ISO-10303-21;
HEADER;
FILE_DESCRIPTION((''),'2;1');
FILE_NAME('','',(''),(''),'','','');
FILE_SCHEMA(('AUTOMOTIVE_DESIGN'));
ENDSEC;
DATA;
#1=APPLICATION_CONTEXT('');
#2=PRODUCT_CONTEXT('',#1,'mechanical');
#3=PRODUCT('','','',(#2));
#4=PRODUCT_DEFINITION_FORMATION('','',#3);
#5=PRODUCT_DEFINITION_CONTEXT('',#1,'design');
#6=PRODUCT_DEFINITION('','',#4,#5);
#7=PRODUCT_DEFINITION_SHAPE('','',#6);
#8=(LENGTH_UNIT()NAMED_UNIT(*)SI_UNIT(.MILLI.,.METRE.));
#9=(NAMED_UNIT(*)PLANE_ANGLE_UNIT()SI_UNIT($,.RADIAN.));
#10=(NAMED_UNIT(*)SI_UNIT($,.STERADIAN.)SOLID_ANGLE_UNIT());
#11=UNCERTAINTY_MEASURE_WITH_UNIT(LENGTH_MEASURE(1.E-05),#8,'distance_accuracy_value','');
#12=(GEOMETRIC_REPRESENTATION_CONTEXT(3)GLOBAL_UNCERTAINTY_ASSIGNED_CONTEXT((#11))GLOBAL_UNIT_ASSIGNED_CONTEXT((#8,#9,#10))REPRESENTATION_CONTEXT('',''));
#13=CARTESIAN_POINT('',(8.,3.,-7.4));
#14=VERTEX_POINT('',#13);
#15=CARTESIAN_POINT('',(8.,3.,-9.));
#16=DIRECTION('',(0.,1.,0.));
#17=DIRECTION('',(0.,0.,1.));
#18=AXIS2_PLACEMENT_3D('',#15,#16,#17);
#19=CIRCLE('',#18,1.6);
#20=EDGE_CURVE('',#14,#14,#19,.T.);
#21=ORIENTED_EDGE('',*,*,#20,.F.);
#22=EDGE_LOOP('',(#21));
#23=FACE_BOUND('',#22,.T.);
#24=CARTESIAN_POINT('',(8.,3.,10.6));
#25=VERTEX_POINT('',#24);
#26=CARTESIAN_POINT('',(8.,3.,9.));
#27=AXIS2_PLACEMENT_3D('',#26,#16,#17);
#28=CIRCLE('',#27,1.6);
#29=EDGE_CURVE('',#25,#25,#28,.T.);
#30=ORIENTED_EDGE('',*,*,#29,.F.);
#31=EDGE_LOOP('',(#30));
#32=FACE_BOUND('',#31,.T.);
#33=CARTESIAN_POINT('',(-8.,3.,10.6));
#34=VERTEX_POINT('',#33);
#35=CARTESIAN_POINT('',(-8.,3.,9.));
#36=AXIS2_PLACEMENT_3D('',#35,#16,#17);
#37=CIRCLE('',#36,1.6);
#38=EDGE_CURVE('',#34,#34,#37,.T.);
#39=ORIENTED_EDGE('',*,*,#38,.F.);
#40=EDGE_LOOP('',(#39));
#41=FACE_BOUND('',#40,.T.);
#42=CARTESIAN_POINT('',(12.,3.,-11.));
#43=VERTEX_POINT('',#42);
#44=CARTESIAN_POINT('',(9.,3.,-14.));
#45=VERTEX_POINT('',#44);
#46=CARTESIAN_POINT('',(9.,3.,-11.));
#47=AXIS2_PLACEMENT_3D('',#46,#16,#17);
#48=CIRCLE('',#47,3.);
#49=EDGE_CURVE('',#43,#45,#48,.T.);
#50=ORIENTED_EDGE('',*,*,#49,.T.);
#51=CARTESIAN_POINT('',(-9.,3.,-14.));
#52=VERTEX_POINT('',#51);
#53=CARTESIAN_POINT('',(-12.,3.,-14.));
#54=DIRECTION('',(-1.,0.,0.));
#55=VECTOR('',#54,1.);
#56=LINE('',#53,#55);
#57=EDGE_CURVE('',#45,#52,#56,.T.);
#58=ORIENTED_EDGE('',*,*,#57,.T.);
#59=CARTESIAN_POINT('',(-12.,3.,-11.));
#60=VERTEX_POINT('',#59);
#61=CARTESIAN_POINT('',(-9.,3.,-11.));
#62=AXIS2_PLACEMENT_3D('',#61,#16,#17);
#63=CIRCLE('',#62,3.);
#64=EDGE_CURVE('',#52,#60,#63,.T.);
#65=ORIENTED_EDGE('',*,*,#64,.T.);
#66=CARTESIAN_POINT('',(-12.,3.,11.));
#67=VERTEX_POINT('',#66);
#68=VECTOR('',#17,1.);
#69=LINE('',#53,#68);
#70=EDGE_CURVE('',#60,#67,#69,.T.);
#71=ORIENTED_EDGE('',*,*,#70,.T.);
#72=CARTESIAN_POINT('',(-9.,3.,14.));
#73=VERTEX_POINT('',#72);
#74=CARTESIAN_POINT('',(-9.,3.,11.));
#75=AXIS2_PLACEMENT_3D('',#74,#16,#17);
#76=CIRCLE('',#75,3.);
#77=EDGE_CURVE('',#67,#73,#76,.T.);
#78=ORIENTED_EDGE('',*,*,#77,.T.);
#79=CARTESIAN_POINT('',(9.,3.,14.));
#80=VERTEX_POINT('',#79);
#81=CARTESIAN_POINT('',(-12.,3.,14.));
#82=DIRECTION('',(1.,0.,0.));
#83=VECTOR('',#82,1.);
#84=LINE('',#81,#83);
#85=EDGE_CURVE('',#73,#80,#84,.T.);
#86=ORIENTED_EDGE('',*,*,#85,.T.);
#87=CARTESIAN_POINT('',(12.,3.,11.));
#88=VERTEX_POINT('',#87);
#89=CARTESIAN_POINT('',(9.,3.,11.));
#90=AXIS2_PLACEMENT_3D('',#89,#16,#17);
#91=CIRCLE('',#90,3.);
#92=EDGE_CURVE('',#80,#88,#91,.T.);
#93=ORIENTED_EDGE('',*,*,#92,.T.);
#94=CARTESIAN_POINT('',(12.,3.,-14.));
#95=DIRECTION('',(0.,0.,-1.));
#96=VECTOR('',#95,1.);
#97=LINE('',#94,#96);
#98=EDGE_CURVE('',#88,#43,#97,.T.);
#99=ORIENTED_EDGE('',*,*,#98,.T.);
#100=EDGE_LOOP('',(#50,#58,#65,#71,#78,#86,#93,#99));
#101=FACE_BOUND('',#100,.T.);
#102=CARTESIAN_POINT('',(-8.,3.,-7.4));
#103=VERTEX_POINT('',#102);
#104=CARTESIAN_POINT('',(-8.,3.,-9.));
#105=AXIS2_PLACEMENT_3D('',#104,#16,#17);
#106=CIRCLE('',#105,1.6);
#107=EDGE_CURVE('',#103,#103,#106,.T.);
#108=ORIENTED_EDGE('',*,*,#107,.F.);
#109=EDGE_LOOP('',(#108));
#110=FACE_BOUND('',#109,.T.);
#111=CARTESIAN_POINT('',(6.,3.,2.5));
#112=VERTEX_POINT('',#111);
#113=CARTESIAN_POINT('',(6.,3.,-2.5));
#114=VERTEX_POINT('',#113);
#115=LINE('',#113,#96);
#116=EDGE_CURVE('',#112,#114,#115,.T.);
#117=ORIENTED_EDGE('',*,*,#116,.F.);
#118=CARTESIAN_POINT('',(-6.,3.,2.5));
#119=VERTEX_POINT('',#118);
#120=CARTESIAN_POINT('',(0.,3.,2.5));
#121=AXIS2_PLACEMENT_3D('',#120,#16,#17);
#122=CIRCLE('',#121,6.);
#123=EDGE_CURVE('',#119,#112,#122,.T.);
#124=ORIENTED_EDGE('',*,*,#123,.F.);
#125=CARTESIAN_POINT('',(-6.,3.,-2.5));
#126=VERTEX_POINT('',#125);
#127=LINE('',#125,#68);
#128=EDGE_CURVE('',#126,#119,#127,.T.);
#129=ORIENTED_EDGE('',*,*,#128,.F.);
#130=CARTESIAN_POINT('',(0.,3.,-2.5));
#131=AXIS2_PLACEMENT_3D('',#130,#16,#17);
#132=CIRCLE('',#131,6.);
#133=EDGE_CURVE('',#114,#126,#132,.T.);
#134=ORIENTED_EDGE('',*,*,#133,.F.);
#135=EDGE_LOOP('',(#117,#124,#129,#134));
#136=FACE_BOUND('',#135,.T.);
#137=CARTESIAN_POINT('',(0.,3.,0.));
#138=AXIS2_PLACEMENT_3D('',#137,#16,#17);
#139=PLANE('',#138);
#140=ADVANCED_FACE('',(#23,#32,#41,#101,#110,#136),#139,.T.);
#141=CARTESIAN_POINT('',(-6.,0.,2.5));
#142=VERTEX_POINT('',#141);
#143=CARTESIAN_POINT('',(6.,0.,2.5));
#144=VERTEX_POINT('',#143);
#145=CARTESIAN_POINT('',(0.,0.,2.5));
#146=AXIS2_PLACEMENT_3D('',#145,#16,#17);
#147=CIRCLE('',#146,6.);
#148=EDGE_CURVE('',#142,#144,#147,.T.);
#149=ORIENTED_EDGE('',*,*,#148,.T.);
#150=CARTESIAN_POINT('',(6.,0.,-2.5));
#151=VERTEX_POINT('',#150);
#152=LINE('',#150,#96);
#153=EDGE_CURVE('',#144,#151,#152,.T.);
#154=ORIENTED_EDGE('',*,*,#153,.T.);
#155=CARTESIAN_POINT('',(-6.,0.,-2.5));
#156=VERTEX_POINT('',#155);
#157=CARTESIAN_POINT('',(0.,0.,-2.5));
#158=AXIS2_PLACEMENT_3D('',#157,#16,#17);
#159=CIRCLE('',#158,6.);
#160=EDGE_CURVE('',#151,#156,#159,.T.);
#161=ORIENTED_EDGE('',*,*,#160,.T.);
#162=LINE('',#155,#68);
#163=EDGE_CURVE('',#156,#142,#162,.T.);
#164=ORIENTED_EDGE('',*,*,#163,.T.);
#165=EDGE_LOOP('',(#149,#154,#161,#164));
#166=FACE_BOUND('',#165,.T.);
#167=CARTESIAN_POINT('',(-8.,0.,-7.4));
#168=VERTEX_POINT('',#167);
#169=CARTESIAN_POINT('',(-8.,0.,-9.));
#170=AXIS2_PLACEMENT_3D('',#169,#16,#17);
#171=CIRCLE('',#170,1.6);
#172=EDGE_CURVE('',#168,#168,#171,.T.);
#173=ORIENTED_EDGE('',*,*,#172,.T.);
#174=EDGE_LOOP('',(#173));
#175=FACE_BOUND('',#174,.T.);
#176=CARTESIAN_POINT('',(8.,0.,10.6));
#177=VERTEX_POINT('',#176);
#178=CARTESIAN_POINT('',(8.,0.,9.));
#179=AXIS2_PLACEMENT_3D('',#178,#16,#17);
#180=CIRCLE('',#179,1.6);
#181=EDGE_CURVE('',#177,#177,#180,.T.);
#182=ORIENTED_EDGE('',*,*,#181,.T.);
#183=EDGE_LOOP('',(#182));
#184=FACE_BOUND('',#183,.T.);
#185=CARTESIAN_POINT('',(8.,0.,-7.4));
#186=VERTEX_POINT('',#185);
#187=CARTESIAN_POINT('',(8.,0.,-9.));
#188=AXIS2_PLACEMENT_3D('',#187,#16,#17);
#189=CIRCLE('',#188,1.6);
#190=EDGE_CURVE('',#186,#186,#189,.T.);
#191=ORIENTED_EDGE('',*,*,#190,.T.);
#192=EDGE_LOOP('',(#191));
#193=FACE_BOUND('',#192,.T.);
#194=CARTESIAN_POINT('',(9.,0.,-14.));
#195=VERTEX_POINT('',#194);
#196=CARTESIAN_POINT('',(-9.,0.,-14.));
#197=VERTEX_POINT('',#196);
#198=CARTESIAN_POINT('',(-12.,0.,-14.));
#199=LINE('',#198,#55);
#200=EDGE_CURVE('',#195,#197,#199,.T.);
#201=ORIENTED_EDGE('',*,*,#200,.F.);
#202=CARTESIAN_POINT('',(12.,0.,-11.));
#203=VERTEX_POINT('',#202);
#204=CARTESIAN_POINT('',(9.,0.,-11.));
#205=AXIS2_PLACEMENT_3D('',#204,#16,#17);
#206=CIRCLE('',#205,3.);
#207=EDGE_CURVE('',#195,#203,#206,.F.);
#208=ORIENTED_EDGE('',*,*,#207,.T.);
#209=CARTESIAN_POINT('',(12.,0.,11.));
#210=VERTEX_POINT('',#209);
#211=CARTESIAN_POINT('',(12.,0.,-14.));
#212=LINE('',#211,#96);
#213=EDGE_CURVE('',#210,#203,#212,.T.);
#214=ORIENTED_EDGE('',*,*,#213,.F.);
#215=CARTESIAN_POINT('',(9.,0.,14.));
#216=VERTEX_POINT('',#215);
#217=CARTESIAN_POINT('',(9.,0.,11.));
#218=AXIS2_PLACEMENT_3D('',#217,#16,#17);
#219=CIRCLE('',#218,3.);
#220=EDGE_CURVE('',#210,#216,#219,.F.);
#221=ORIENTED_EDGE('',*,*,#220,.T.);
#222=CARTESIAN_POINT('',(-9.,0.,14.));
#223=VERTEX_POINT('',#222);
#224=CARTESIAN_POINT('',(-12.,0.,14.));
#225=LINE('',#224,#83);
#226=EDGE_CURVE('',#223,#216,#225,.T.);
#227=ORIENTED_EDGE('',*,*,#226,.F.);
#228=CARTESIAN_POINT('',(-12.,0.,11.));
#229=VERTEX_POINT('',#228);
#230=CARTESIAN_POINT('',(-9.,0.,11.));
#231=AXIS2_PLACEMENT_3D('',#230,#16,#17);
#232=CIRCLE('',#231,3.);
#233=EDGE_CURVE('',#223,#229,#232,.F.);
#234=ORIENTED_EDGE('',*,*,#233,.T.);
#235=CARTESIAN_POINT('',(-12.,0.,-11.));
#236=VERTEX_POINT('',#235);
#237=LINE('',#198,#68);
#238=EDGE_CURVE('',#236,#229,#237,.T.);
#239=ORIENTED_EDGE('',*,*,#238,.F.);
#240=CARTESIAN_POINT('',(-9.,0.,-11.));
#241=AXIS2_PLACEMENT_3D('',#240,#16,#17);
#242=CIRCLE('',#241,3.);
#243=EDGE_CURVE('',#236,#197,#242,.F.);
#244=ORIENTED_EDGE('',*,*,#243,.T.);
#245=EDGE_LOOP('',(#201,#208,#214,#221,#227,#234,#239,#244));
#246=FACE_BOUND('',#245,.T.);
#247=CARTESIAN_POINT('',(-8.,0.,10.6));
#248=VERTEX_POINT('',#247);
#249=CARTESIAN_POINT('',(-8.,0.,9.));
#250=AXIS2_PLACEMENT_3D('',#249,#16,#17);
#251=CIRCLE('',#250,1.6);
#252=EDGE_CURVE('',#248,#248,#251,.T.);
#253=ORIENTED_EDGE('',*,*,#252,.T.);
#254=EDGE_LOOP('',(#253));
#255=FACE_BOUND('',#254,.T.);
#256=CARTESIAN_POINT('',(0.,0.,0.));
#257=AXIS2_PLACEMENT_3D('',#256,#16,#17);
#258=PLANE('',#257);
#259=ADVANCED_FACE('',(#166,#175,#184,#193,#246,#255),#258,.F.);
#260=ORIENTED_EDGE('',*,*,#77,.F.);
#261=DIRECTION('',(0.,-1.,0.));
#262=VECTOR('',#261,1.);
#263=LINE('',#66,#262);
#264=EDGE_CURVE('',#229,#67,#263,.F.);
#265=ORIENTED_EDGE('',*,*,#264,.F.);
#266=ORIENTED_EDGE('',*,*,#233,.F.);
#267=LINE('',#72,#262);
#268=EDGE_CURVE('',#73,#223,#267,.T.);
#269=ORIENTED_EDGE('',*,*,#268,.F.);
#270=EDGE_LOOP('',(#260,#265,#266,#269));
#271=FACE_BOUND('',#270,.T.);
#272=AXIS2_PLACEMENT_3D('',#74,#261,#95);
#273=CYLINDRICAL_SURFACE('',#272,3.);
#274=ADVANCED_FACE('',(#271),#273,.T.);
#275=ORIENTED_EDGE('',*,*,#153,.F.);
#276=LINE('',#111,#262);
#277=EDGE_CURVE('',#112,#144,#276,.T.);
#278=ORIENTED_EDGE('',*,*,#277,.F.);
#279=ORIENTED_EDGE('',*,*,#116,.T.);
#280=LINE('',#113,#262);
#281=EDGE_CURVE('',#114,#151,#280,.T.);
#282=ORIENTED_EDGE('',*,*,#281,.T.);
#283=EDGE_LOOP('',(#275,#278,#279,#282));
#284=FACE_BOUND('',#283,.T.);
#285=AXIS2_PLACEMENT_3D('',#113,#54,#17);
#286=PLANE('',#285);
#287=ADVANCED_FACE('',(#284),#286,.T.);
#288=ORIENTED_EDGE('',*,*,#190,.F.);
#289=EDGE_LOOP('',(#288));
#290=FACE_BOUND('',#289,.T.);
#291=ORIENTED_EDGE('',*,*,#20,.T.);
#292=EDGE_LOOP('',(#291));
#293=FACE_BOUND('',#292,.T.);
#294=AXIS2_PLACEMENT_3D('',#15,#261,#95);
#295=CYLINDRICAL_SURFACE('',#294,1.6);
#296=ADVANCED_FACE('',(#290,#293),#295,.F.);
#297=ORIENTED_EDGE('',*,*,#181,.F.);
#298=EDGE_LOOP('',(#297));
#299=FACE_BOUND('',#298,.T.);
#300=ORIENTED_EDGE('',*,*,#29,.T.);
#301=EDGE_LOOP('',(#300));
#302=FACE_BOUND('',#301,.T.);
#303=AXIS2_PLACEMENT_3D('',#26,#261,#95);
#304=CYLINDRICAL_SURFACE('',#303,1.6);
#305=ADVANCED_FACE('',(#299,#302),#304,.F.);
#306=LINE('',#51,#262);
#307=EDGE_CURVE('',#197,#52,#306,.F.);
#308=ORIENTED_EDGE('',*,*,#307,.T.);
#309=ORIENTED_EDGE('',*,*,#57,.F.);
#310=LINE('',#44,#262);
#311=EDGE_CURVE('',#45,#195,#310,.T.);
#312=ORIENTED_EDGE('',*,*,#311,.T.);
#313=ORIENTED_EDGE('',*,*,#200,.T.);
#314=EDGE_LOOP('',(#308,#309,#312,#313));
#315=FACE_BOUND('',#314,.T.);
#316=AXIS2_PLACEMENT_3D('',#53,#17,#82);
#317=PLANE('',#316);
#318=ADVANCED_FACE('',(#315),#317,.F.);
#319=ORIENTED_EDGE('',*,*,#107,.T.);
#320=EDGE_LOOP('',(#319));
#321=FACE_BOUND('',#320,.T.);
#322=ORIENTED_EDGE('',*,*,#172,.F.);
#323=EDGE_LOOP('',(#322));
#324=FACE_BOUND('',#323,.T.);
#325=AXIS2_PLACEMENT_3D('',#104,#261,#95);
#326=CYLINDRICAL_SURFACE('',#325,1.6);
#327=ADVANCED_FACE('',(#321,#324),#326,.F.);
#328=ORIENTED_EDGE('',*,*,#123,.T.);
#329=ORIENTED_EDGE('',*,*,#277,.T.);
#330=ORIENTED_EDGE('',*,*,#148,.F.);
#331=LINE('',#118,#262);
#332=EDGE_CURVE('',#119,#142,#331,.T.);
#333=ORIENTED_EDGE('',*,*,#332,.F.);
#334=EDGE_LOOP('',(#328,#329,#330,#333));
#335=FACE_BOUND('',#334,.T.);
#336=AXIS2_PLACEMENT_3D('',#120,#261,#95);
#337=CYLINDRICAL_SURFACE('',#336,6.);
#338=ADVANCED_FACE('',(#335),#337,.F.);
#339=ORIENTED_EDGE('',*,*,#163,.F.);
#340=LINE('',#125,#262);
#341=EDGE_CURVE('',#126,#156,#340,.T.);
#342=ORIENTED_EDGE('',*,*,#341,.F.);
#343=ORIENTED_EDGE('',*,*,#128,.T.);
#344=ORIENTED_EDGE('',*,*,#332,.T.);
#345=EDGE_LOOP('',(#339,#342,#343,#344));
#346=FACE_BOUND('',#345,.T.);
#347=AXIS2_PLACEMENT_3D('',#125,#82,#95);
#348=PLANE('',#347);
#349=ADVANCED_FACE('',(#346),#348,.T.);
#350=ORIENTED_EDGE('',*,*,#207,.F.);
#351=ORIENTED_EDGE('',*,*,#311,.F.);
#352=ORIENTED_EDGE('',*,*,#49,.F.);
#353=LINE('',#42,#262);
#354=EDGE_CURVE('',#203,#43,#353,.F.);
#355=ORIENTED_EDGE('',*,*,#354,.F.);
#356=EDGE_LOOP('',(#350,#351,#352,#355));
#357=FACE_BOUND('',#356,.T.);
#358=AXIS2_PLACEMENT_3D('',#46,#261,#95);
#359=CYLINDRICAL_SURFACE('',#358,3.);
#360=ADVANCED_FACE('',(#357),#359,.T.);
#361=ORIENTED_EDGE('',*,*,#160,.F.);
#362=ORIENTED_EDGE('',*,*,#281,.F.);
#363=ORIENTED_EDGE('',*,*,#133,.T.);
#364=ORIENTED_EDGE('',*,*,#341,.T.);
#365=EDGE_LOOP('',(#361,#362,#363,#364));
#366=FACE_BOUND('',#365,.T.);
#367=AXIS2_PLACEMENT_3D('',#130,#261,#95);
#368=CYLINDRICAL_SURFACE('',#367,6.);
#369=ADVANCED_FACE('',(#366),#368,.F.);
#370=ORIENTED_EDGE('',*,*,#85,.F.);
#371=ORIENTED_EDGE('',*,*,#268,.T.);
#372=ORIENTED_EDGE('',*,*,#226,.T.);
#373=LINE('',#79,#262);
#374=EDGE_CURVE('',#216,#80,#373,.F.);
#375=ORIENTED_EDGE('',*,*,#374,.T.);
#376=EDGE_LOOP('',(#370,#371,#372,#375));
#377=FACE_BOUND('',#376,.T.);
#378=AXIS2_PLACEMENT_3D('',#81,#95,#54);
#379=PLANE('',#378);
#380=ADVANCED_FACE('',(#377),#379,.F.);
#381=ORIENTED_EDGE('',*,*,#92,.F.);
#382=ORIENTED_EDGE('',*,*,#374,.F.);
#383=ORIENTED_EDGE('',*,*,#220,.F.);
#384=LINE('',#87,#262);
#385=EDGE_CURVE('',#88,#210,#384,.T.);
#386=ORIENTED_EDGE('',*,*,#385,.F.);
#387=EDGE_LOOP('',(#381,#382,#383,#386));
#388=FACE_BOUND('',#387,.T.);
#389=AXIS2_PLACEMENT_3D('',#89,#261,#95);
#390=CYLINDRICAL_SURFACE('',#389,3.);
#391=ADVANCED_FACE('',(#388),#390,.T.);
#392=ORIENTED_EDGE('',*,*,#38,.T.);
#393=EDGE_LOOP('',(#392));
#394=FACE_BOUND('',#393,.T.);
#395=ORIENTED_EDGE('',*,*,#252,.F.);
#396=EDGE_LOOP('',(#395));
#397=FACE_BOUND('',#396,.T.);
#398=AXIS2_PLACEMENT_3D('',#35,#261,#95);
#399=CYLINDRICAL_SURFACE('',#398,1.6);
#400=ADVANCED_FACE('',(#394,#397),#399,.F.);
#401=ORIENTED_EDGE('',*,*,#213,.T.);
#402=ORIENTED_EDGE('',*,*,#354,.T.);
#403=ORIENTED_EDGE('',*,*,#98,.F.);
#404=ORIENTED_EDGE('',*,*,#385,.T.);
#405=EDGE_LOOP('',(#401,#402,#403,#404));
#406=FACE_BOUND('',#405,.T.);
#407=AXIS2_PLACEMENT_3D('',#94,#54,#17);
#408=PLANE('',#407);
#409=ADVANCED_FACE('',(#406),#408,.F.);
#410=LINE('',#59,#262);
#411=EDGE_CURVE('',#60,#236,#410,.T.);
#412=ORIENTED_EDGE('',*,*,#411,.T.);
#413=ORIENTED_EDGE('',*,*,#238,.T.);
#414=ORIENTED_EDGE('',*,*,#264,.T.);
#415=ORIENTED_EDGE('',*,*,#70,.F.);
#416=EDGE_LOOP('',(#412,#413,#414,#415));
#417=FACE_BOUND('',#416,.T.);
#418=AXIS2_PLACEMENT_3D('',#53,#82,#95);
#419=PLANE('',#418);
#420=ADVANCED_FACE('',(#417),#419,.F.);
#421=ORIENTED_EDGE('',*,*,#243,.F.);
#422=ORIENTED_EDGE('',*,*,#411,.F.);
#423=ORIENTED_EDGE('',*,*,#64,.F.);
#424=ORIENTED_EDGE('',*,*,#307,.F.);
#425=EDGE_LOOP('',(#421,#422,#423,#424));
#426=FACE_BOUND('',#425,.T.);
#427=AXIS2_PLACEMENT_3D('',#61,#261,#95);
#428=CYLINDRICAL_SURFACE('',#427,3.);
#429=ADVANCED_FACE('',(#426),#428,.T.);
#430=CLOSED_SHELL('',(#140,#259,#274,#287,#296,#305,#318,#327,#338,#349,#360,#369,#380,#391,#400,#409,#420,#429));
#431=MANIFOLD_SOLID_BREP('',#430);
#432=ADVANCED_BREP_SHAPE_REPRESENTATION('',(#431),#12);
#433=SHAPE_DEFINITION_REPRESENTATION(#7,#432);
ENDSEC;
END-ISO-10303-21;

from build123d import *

# Parameters (mm, degrees)
SKETCH_1_W      = 24
SKETCH_1_H      = 28
SKETCH_1_R      = 1.6
EXTRUDE_1_DEPTH = 3
FILLET_1_R      = 3


with BuildPart() as part:
    # 草图1 → 凸台-拉伸1 (new body)
    with BuildSketch(Plane(origin=(0, 0, 0), x_dir=(1, 0, 0), z_dir=(0, 1, 0))):
        Rectangle(SKETCH_1_W, SKETCH_1_H)
        with Locations(Location((8, -9, 0), (0, 0, 270))):
            Circle(SKETCH_1_R, mode=Mode.SUBTRACT)
        with Locations(Location((-8, -9, 0), (0, 0, 270))):
            Circle(SKETCH_1_R, mode=Mode.SUBTRACT)
        with Locations(Location((-8, 9, 0), (0, 0, 270))):
            Circle(SKETCH_1_R, mode=Mode.SUBTRACT)
        with Locations(Location((8, 9, 0), (0, 0, 270))):
            Circle(SKETCH_1_R, mode=Mode.SUBTRACT)
        with BuildLine():
            Line((6, 2.5), (6, -2.5))
            ThreePointArc((6, -2.5), (0, -8.5), (-6, -2.5))
            Line((-6, -2.5), (-6, 2.5))
            ThreePointArc((-6, 2.5), (0, 8.5), (6, 2.5))
        make_face(mode=Mode.SUBTRACT)
    extrude(amount=EXTRUDE_1_DEPTH)

    # 圆角1
    fillet_1_edges = [part.edges().sort_by_distance(p)[0] for p in [
        (12, 1.5, 14),
        (-12, 1.5, 14),
        (-12, 1.5, -14),
        (12, 1.5, -14),
    ]]
    fillet(fillet_1_edges, radius=FILLET_1_R)


solid = part.part
